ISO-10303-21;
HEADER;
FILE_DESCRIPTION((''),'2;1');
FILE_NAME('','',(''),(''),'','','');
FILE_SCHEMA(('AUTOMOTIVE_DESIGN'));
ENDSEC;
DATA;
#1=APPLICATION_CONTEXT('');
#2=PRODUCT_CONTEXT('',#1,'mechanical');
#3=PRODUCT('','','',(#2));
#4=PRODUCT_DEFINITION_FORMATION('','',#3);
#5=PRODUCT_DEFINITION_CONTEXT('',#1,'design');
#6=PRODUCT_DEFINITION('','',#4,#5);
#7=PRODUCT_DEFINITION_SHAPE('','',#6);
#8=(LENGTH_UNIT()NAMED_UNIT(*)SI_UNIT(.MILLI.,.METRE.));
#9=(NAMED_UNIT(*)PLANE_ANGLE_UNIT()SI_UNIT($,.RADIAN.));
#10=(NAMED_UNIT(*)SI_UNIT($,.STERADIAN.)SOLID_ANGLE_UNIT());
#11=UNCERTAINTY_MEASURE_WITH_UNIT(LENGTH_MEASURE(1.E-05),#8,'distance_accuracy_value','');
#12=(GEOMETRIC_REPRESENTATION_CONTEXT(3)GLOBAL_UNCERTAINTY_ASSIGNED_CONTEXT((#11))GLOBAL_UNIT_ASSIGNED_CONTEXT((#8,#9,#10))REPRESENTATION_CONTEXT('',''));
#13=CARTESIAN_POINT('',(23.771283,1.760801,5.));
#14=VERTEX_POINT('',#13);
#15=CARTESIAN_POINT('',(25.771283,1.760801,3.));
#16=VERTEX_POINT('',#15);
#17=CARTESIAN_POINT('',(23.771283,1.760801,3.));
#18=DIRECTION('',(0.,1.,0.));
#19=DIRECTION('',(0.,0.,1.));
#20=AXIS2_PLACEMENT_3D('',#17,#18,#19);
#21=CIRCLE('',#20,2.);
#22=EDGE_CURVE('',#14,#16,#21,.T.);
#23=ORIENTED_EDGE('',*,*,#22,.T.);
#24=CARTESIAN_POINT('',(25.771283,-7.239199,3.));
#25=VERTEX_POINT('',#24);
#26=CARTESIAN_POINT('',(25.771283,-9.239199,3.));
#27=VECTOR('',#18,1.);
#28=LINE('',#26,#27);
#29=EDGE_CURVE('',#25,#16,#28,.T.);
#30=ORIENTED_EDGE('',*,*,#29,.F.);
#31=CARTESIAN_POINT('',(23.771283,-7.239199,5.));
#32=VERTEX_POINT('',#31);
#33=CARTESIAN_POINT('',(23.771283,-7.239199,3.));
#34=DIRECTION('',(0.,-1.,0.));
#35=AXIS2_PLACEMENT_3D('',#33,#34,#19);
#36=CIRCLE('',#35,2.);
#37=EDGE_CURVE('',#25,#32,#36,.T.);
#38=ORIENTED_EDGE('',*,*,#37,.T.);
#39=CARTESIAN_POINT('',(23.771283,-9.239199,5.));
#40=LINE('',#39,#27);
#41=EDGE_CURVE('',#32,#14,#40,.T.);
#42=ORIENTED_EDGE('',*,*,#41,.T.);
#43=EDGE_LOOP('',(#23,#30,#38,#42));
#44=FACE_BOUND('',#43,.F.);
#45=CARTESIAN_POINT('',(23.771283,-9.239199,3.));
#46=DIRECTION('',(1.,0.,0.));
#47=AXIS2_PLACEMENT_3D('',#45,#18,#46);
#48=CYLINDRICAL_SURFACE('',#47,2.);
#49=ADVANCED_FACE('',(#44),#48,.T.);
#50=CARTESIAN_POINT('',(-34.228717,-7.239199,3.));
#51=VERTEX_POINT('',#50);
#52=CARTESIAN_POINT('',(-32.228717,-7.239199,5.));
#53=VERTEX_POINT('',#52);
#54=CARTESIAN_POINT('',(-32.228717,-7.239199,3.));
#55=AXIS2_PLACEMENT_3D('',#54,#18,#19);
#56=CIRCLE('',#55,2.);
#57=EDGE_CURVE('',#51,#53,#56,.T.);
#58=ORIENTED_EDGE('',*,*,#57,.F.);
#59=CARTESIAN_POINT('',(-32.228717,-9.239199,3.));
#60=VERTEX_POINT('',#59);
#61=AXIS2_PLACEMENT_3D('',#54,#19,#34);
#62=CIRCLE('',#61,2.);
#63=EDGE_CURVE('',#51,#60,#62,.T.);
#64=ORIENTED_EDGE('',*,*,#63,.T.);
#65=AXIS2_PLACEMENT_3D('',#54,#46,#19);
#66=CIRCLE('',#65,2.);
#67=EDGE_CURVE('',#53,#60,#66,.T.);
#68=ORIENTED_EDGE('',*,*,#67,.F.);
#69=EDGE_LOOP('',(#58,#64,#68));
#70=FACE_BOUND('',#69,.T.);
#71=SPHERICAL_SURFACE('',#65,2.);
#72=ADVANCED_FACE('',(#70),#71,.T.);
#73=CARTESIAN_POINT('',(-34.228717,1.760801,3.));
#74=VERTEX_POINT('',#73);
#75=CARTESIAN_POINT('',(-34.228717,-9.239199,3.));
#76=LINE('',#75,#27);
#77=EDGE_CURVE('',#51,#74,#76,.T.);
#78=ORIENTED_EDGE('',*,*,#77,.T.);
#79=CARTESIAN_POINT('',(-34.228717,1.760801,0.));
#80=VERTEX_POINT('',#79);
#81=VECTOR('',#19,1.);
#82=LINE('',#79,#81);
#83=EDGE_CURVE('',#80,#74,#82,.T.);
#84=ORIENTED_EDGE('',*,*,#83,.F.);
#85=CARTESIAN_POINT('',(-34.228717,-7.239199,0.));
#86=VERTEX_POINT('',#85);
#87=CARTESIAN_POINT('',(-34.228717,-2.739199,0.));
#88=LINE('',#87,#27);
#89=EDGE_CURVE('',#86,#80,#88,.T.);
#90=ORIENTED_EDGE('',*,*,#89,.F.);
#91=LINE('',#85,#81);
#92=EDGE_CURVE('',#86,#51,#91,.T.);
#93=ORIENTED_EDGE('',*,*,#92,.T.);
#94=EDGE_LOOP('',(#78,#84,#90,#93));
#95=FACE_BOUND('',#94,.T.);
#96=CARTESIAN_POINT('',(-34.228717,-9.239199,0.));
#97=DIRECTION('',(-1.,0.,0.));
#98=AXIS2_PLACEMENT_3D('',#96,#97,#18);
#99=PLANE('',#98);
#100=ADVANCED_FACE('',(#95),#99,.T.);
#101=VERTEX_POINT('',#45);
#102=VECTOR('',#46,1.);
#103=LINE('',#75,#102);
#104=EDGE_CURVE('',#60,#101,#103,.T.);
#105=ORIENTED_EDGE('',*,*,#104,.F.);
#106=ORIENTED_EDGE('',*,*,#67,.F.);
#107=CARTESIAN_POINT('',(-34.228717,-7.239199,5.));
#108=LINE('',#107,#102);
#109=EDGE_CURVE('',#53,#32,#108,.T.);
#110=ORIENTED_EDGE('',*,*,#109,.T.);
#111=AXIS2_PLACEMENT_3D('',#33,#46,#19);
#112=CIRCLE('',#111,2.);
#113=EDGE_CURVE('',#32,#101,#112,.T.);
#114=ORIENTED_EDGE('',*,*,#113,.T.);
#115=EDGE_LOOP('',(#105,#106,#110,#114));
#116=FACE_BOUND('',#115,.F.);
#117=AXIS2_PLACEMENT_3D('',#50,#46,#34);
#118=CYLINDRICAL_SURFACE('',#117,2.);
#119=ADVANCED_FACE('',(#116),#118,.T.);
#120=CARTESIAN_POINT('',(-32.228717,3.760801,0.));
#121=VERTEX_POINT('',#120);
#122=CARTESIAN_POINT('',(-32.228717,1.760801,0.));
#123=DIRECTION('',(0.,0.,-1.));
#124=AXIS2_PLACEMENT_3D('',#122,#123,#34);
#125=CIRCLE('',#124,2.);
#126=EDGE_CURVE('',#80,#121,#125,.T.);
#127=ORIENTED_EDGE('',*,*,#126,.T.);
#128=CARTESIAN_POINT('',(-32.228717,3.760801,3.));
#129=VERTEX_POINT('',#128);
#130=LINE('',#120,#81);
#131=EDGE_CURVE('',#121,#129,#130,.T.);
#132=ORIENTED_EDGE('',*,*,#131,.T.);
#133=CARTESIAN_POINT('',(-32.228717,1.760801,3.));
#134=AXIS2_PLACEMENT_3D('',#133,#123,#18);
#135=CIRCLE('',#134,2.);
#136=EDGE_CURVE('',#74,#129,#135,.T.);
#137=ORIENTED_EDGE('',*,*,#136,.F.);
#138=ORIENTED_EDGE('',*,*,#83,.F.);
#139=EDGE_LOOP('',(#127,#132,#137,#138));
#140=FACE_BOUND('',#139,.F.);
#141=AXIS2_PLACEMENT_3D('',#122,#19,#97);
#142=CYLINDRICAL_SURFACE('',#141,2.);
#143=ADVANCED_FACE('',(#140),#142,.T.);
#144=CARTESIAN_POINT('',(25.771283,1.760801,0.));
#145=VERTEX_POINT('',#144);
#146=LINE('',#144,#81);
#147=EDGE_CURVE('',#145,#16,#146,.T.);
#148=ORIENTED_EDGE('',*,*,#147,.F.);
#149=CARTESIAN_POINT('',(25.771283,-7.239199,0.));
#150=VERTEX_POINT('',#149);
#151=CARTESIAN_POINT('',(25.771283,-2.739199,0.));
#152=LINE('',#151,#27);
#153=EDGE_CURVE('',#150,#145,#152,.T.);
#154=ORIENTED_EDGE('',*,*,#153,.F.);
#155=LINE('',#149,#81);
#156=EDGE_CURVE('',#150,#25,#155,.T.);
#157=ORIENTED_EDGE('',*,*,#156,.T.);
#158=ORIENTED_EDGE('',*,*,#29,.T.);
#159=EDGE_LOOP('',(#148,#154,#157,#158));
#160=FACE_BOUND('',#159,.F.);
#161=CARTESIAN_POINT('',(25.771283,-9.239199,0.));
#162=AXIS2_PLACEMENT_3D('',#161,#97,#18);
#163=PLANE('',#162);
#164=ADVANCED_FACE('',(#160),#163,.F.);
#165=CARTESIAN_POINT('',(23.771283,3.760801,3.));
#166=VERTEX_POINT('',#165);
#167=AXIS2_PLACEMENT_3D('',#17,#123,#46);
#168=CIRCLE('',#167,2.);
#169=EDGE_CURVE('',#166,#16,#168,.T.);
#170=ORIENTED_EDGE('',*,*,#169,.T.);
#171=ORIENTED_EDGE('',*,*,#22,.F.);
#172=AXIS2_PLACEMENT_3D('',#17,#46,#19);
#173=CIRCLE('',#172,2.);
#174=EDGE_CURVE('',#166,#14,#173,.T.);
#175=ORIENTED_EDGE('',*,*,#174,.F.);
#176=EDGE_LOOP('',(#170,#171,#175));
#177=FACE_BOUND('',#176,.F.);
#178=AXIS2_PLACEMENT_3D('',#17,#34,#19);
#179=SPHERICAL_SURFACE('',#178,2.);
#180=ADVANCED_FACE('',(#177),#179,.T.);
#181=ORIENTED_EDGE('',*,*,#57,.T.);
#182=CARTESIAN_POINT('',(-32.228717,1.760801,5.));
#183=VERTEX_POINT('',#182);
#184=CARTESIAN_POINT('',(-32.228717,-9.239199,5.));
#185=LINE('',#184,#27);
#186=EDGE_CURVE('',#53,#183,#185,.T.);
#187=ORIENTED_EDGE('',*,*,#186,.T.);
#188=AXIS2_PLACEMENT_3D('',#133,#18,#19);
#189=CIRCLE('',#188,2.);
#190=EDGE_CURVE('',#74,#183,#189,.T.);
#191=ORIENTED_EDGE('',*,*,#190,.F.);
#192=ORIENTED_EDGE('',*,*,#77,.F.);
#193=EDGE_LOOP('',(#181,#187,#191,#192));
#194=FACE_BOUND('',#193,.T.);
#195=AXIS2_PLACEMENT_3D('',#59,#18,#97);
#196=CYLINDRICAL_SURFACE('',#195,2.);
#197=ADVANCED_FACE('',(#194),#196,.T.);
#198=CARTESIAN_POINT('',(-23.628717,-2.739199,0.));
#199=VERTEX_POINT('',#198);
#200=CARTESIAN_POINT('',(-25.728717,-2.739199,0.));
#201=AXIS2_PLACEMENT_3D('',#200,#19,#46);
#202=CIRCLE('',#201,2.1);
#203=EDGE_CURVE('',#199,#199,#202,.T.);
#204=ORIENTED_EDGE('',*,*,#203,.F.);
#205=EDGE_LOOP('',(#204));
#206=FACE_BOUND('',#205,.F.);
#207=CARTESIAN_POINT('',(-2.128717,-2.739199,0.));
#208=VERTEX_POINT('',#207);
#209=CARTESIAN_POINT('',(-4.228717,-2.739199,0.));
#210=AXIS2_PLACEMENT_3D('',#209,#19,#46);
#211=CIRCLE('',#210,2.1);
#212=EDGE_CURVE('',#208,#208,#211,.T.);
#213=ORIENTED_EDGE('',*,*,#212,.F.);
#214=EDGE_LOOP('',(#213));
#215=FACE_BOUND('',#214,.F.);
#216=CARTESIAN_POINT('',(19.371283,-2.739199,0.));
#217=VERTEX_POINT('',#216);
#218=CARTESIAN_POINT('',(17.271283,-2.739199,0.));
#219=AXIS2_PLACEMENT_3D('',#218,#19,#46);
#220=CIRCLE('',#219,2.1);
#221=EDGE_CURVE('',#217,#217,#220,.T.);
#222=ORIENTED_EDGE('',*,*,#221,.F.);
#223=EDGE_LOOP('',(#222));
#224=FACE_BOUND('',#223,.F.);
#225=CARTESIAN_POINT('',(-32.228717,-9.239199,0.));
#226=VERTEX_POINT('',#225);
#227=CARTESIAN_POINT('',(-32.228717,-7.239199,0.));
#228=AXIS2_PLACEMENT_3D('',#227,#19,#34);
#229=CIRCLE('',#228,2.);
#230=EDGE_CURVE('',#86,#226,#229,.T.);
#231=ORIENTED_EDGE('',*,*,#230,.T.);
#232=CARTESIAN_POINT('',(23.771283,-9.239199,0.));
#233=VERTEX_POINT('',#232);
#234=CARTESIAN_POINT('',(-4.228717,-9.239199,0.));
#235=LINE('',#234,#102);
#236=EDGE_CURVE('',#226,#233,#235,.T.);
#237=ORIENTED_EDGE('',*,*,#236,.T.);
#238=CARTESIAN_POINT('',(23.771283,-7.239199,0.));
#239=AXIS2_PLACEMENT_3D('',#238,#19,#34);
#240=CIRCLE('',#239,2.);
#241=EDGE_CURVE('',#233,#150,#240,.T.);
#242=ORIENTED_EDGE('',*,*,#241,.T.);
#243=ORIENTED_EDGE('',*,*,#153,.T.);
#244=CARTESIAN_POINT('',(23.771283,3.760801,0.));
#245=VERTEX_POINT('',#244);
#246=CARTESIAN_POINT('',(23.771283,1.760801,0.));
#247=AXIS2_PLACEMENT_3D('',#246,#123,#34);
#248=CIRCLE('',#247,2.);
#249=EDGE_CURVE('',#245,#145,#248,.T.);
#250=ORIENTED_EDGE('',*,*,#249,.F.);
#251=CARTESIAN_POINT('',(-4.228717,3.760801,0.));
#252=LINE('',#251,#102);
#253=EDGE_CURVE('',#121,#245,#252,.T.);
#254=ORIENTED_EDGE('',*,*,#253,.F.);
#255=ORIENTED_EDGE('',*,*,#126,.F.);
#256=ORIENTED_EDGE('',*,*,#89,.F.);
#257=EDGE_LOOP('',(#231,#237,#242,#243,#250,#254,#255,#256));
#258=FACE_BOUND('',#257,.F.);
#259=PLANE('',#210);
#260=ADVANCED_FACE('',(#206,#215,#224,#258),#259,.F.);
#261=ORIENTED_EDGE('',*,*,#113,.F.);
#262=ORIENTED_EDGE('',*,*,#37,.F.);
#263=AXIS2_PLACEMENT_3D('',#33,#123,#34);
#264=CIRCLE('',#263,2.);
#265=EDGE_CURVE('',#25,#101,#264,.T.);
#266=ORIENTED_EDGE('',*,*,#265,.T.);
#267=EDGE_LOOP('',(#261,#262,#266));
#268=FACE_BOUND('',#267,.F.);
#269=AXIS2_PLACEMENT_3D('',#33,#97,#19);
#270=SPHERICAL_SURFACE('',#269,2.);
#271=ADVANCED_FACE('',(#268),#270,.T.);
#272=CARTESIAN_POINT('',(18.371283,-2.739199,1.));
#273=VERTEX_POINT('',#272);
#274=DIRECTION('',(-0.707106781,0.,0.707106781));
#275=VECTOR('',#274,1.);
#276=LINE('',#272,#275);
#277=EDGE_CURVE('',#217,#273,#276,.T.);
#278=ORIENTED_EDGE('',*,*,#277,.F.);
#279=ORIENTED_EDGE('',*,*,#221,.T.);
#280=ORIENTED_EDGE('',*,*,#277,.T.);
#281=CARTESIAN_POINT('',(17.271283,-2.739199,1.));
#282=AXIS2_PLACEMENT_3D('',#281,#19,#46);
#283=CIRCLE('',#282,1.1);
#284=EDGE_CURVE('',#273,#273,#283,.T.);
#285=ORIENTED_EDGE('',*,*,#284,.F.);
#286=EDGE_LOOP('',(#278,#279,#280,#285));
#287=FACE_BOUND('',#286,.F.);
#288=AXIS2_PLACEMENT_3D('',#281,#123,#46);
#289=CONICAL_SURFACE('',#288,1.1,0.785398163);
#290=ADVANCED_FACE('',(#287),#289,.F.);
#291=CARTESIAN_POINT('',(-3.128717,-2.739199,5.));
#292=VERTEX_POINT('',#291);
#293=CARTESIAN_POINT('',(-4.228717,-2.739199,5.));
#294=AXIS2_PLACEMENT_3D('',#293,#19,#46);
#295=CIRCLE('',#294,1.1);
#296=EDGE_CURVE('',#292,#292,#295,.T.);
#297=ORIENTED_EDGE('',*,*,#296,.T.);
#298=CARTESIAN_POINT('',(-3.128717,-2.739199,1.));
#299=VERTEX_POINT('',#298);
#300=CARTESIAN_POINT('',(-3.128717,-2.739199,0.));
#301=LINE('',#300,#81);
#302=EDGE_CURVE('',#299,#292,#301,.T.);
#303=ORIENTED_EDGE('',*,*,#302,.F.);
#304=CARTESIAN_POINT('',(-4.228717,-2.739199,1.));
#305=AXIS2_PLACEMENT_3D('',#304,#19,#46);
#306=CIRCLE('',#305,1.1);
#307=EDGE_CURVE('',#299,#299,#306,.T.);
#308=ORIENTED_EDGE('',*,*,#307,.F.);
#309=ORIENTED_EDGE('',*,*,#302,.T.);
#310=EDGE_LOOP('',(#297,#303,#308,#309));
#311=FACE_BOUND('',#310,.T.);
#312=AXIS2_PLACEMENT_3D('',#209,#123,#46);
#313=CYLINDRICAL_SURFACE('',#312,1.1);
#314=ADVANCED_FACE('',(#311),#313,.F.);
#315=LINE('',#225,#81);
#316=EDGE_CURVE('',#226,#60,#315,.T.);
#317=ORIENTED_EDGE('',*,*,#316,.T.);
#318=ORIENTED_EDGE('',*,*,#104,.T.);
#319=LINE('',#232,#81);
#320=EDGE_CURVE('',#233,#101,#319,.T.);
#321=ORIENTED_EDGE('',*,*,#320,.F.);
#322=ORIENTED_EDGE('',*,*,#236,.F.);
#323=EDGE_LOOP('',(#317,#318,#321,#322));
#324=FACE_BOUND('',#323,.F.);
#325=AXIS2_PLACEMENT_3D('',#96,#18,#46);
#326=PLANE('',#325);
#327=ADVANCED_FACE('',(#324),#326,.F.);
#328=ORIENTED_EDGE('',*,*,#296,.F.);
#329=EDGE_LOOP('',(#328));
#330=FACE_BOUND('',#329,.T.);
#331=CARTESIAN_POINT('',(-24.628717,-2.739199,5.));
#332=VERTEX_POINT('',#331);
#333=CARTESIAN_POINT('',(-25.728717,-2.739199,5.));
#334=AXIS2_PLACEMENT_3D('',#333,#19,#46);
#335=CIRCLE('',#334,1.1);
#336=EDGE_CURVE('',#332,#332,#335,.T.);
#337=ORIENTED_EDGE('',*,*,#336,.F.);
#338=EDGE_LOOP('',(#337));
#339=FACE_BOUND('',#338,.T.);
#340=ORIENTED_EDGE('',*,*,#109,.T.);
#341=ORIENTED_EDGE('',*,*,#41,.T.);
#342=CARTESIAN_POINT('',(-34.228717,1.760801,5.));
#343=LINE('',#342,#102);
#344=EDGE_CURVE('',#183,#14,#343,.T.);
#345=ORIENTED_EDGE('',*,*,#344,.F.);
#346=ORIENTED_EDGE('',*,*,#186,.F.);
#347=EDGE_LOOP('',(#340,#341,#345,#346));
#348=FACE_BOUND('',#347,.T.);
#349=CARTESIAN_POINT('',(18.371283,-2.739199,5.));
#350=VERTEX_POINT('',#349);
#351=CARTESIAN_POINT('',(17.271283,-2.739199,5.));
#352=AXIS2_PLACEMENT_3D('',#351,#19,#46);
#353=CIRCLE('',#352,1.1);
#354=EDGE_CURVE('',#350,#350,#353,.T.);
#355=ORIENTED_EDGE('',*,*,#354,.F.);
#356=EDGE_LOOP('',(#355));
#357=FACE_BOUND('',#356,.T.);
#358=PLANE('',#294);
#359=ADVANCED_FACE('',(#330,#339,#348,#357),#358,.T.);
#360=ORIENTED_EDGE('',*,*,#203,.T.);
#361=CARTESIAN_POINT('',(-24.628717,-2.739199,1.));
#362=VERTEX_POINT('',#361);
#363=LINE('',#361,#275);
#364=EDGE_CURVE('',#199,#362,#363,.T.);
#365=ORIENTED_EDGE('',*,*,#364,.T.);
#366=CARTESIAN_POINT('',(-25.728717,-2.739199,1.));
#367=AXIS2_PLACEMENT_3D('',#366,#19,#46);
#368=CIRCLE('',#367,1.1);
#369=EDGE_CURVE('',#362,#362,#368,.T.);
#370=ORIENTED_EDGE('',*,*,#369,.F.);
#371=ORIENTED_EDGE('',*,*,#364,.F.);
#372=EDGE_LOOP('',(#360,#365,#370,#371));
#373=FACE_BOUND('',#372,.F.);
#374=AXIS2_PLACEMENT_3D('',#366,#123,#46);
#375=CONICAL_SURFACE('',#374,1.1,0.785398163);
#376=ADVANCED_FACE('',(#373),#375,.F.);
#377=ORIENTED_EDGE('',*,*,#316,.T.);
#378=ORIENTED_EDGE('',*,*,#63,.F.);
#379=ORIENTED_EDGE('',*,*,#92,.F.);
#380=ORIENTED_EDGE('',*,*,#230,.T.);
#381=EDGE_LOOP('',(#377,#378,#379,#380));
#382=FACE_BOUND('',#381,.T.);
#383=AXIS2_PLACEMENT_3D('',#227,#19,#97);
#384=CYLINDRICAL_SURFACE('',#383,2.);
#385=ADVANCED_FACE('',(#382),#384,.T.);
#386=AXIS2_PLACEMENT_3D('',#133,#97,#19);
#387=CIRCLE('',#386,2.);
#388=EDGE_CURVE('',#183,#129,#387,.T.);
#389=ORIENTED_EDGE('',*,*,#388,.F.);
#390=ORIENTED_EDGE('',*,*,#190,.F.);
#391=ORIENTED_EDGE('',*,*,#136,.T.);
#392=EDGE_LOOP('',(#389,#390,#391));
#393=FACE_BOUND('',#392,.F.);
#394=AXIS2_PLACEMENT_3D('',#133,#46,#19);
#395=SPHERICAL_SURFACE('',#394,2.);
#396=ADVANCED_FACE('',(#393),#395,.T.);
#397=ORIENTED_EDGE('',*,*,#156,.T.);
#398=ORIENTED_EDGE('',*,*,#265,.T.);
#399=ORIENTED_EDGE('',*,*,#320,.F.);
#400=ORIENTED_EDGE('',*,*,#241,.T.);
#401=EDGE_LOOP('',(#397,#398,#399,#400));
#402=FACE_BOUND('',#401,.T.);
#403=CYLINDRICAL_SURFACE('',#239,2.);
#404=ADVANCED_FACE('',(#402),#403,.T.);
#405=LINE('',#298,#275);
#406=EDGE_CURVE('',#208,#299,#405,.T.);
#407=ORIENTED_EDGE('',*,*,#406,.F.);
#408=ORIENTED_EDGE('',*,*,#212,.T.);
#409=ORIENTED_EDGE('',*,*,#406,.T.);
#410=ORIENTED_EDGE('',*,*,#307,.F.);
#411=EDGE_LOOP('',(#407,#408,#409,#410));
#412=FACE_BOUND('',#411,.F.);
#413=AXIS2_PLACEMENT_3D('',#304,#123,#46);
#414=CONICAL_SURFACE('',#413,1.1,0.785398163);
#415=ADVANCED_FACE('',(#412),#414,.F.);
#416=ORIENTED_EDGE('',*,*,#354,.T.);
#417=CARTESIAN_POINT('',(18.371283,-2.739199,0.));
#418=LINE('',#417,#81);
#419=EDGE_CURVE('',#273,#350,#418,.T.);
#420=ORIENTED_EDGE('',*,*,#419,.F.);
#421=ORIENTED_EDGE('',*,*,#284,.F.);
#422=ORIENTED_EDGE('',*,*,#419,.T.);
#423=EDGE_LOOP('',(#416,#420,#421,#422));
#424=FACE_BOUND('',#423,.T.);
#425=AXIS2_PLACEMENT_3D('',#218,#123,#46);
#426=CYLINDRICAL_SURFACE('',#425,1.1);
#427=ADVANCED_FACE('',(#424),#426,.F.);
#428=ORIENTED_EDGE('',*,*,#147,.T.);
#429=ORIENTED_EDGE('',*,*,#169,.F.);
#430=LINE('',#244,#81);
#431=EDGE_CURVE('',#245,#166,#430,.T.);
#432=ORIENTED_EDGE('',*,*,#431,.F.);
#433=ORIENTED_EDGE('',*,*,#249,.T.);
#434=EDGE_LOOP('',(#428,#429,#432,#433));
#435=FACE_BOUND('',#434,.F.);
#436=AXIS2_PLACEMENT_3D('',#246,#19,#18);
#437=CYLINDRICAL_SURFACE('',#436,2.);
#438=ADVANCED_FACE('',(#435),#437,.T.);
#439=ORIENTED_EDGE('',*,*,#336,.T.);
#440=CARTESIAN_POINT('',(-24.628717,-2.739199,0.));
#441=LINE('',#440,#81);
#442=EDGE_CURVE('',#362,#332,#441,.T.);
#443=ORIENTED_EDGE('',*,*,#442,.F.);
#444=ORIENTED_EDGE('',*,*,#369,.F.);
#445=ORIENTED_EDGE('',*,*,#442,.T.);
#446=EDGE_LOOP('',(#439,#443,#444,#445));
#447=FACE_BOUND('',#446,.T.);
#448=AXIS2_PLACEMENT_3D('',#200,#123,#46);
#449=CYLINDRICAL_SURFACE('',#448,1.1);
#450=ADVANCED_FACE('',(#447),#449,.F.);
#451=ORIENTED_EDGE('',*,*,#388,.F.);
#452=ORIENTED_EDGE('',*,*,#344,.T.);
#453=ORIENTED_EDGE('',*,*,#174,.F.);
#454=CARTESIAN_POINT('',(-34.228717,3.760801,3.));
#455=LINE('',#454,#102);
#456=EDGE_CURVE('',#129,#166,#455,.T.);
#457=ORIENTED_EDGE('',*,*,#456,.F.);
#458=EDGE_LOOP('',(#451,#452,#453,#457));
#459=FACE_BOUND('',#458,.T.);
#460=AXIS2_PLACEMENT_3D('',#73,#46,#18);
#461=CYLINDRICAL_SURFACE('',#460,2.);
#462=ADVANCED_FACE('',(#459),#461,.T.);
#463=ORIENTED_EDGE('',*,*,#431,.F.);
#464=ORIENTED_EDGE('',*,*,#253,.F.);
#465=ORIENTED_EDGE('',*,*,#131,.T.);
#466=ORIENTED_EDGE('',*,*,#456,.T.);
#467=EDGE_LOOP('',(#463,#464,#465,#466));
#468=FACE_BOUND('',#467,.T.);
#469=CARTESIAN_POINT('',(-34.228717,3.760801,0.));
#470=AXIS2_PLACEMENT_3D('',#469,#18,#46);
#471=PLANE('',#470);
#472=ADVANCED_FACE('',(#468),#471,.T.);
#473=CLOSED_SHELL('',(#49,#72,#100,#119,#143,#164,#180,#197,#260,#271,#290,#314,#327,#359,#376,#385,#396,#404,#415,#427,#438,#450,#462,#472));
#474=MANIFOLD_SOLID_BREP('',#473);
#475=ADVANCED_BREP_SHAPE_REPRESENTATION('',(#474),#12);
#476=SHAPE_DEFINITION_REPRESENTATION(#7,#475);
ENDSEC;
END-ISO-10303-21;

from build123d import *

# Parameters (mm, degrees)
F0_W     = 60
F0_H     = 13
F0_R     = 1.1
F1_DEPTH = 5
F2_R     = 2
F3_SIZE  = 1


with BuildPart() as f1:
    # F0 (on Top) → F1 (new body)
    with BuildSketch(Plane.XY):
        with Locations((-4.228717, -2.739199)):
            Rectangle(F0_W, F0_H)
        with Locations((-25.728717, -2.739199)):
            Circle(F0_R, mode=Mode.SUBTRACT)
        with Locations((-4.228717, -2.739199)):
            Circle(F0_R, mode=Mode.SUBTRACT)
        with Locations((17.271283, -2.739199)):
            Circle(F0_R, mode=Mode.SUBTRACT)
    extrude(amount=F1_DEPTH)

    # F2
    f2_edges = [f1.edges().sort_by_distance(p)[0] for p in [
        (-4.228717, -9.239199, 5),
        (25.771283, -2.739199, 5),
        (25.771283, -9.239199, 2.5),
        (-4.228717, 3.760801, 5),
        (-34.228717, -2.739199, 5),
        (-34.228717, -9.239199, 2.5),
        (25.771283, 3.760801, 2.5),
        (-34.228717, 3.760801, 2.5),
    ]]
    fillet(f2_edges, radius=F2_R)

    # F3
    f3_edges = [f1.edges().sort_by_distance(p)[0] for p in [
        (-5.328717, -2.739199, 0),
        (16.171283, -2.739199, 0),
        (-26.828717, -2.739199, 0),
    ]]
    chamfer(f3_edges, length=F3_SIZE)


solid = f1.part
